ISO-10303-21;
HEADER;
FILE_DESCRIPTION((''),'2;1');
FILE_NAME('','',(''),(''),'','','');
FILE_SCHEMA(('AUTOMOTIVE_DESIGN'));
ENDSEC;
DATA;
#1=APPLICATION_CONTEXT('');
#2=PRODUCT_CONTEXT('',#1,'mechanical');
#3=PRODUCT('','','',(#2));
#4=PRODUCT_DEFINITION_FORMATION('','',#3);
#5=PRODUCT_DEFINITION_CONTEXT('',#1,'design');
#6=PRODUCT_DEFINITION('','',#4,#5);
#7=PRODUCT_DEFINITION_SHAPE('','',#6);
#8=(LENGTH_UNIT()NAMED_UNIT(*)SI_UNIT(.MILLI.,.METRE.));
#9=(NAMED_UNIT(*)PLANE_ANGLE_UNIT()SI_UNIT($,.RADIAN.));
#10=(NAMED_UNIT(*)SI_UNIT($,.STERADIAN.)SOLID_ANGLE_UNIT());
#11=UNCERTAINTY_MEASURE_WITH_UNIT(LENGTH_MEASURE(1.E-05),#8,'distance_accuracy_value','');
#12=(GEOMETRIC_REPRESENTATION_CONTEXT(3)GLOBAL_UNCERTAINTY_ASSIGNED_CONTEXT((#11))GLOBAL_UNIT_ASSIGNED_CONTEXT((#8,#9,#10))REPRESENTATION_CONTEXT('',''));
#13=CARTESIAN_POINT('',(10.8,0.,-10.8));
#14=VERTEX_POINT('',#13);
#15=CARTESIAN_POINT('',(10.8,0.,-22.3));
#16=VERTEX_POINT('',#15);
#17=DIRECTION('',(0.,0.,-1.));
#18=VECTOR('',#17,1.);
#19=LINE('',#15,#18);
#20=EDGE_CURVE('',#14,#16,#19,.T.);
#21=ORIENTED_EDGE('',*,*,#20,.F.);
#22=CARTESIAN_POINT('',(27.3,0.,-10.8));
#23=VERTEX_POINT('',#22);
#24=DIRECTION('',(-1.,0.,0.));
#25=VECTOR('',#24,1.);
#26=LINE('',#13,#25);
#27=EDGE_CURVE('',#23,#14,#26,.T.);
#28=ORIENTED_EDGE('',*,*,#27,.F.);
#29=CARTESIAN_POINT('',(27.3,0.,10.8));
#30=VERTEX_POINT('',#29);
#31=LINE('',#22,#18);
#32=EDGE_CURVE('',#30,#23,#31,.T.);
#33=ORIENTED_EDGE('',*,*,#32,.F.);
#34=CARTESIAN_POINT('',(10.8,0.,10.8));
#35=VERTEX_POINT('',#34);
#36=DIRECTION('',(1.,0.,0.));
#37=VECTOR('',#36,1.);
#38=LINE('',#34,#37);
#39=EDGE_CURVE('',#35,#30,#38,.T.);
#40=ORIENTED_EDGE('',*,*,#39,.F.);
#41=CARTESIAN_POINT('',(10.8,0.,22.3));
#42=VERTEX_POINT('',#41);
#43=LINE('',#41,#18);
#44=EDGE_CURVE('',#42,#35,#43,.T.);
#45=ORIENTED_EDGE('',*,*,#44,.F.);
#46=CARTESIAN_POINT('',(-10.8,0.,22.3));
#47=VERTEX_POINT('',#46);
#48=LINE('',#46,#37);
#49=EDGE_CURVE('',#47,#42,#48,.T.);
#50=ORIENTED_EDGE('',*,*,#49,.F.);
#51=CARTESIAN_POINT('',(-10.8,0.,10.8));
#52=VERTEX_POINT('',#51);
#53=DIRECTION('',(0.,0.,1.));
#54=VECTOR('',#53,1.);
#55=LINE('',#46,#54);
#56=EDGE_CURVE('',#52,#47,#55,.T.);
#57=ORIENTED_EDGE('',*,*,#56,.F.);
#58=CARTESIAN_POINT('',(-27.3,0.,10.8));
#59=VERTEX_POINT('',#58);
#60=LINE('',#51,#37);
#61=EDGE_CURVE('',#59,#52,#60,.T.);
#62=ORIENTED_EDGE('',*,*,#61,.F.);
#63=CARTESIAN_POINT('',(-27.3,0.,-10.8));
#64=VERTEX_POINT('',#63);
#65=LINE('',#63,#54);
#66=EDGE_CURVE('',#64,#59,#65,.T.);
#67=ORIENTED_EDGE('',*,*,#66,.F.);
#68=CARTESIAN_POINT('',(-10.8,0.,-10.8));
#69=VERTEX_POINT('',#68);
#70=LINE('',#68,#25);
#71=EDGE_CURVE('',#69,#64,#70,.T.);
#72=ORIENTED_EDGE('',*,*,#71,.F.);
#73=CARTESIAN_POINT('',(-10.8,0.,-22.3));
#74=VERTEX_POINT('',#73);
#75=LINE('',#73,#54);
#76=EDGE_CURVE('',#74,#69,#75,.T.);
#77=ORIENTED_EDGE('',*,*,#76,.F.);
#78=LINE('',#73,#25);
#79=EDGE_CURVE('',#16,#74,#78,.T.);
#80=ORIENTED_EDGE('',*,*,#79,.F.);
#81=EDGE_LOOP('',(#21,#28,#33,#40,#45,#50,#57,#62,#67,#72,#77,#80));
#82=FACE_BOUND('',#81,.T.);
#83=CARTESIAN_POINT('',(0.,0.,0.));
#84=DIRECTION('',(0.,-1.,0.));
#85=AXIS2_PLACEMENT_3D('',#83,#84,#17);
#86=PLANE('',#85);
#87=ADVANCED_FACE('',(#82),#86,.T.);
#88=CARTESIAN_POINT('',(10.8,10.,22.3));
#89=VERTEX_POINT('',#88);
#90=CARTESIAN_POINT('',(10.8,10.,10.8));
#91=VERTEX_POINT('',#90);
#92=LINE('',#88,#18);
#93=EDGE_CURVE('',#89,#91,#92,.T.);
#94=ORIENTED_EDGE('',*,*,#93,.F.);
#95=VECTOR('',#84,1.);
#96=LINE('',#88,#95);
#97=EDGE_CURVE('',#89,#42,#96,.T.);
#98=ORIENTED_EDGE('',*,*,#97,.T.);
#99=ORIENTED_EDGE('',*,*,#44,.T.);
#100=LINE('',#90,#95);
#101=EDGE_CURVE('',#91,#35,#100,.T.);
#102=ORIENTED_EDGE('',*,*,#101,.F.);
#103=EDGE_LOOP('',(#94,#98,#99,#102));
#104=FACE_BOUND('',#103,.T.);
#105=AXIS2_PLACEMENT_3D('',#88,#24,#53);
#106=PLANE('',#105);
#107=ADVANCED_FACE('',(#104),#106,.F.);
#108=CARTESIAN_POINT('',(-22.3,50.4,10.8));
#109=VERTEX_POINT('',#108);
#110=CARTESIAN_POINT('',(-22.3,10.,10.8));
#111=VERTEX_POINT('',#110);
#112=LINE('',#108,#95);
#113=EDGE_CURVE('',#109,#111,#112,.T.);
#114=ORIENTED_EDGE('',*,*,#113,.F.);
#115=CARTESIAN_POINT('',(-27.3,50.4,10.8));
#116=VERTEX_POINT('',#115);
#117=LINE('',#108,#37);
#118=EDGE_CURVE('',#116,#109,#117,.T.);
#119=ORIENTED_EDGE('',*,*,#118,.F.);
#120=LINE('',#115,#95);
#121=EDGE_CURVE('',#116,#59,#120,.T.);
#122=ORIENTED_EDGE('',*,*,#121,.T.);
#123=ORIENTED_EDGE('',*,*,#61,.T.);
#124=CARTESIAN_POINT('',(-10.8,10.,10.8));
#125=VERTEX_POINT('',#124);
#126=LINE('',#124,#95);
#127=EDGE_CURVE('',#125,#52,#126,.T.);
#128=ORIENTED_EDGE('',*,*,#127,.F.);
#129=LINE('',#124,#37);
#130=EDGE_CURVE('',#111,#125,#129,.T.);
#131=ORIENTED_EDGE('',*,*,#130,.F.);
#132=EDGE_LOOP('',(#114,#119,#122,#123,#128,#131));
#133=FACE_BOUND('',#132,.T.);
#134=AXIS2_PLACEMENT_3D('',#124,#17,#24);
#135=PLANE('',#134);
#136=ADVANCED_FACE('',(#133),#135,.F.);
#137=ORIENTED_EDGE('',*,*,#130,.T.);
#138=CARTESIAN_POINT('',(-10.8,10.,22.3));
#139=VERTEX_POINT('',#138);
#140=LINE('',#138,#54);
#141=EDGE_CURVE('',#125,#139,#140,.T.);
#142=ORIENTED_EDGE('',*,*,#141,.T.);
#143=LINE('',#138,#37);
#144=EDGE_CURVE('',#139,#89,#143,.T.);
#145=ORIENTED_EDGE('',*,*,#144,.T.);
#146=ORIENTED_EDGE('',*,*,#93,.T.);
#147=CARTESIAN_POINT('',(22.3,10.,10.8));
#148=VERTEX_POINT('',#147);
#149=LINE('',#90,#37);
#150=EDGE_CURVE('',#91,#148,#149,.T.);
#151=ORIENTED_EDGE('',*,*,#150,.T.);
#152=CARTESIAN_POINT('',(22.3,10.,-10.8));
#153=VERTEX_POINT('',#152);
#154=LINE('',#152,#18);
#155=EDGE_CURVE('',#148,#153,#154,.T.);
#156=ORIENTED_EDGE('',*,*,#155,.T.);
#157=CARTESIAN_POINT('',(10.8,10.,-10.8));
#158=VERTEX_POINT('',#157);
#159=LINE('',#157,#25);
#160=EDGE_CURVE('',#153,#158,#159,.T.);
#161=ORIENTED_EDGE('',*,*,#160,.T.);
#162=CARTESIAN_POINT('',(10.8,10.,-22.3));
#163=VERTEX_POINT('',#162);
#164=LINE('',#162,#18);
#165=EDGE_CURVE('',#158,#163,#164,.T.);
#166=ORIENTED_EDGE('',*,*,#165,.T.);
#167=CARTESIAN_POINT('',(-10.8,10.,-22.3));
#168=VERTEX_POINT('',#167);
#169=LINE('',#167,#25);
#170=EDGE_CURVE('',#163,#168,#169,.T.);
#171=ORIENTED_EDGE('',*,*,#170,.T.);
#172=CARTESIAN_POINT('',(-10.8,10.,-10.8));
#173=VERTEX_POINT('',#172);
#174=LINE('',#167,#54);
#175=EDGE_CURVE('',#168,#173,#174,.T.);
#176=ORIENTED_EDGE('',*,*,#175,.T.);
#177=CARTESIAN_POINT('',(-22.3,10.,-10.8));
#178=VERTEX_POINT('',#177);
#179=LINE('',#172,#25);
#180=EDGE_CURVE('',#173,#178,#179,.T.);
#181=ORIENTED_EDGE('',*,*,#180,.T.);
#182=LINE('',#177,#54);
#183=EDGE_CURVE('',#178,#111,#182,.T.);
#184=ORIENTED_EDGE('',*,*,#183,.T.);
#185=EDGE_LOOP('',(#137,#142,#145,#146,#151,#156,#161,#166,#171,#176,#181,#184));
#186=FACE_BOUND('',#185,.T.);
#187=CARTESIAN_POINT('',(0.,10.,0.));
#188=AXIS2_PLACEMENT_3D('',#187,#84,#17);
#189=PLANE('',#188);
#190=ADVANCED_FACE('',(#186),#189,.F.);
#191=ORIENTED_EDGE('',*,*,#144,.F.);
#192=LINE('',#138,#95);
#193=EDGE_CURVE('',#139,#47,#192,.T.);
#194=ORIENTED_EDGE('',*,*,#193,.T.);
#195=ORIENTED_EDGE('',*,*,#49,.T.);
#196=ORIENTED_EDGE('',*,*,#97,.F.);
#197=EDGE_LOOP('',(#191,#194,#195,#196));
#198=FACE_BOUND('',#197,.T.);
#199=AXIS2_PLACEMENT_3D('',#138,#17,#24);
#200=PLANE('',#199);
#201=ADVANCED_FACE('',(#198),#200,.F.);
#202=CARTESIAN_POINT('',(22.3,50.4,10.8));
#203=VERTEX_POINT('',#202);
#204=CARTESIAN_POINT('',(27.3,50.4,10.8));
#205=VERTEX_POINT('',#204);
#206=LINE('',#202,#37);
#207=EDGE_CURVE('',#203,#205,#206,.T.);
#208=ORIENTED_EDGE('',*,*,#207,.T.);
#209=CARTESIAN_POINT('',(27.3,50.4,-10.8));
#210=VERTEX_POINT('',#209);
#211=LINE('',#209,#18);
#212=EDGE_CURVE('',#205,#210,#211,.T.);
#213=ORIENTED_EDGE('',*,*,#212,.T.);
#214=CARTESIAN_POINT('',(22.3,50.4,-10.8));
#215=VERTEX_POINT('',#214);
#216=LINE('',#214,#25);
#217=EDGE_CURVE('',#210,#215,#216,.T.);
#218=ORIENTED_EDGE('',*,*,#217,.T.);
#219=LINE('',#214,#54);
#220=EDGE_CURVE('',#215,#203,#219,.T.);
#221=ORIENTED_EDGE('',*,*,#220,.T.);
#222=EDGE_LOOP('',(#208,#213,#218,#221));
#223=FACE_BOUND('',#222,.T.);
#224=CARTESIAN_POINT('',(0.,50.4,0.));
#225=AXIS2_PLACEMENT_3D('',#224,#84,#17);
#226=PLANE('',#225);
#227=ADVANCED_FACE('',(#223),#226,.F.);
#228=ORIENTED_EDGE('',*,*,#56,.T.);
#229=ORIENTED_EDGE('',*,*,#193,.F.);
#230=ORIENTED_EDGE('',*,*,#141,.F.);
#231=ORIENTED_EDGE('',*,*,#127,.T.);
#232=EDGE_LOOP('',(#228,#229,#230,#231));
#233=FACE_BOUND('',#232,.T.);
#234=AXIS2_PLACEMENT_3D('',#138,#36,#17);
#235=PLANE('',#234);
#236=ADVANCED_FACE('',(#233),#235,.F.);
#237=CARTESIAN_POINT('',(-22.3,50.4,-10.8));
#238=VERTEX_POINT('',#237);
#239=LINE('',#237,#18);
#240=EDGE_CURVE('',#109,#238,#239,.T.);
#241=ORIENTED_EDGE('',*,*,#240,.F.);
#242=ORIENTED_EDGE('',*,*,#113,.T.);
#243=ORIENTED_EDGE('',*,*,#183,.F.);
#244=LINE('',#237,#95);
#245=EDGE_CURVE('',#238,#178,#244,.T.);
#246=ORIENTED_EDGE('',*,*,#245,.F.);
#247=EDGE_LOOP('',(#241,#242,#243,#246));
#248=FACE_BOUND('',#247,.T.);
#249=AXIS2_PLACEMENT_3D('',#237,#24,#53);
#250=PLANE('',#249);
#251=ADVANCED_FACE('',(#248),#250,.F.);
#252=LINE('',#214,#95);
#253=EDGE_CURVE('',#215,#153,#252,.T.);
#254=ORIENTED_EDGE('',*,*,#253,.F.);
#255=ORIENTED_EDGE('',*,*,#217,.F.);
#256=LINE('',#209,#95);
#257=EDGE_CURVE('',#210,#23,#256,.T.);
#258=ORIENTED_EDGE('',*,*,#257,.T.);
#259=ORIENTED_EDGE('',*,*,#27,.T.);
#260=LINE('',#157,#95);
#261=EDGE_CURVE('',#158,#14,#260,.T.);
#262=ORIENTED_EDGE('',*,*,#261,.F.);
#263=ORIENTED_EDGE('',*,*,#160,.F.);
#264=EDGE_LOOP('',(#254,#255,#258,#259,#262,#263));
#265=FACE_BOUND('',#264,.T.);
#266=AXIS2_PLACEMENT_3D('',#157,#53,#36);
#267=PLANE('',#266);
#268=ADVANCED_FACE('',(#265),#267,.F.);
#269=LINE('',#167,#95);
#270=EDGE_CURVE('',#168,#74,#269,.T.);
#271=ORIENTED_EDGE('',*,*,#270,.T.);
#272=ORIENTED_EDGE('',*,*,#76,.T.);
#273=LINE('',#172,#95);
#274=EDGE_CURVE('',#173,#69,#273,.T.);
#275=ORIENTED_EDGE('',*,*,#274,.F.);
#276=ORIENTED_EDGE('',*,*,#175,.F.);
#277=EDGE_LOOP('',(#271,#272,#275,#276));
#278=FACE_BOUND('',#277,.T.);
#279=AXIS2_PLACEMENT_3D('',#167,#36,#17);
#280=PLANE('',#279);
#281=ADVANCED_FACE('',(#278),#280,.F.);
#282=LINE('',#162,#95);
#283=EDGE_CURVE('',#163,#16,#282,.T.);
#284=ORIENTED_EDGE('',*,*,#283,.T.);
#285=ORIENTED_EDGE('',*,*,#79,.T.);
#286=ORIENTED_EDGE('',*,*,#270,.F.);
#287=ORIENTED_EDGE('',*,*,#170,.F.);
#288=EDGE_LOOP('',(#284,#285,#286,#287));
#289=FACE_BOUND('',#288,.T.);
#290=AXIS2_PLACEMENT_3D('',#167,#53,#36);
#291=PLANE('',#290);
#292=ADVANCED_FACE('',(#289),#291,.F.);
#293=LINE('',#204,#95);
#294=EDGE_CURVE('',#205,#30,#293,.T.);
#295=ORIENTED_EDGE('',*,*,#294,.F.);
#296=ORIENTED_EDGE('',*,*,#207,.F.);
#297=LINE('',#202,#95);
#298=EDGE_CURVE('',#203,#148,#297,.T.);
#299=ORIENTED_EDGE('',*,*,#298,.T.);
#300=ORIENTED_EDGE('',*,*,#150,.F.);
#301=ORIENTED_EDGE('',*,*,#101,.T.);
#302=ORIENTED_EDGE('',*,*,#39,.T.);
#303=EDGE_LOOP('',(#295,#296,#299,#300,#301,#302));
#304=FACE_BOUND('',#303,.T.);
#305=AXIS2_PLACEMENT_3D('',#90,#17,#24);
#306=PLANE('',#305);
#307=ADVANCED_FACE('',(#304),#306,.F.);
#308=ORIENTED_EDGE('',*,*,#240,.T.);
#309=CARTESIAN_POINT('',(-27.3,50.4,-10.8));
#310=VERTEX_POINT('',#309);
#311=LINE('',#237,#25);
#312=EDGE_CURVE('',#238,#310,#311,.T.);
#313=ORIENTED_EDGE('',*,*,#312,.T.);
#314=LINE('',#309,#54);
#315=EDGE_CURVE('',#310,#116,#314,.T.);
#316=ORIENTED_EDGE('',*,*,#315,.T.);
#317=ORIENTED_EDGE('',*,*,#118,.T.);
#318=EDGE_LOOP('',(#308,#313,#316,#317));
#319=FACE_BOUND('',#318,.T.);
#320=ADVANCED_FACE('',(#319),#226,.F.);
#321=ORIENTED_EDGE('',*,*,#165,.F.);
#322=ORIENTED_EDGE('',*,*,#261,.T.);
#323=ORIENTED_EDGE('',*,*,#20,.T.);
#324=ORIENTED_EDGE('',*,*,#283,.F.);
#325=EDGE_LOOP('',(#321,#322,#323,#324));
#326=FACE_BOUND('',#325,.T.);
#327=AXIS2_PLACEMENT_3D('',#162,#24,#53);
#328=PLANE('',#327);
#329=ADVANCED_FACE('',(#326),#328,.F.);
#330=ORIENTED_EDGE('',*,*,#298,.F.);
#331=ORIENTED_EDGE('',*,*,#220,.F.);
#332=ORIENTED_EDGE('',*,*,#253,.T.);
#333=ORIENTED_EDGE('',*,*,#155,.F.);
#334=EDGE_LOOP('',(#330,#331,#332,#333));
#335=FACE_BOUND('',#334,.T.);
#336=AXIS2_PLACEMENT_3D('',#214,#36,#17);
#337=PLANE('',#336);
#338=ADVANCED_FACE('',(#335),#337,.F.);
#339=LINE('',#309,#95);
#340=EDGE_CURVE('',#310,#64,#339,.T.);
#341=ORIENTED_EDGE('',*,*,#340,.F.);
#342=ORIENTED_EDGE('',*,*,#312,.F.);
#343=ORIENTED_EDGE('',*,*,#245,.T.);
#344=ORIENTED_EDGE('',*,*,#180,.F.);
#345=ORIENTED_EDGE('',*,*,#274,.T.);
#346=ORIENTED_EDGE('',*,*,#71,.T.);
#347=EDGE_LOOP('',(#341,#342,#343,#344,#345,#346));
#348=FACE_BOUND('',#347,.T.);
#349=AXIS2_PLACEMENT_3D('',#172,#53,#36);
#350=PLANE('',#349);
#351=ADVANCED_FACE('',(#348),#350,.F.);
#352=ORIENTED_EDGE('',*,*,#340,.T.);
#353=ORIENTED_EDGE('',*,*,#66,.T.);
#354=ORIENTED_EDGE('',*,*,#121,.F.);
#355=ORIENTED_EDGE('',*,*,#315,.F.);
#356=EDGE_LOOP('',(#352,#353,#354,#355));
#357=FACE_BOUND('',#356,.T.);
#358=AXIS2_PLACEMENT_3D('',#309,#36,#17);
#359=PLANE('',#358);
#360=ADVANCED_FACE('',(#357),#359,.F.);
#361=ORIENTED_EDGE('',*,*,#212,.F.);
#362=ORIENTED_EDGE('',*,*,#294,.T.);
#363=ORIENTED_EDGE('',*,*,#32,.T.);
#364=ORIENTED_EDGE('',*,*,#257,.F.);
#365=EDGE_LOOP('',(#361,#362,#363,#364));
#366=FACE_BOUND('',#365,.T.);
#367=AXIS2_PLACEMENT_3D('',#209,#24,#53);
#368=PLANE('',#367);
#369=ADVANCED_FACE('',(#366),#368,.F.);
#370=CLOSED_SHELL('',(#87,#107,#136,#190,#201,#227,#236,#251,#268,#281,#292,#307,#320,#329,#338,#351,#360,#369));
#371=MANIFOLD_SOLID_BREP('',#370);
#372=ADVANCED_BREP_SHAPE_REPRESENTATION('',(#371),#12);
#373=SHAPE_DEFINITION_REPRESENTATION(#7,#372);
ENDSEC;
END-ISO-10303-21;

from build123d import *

# Parameters (mm, degrees)
RESSALTO_EXTRUS_O1_DEPTH = 10
ESBO_O2_W                = 5
ESBO_O2_H                = 21.6
RESSALTO_EXTRUS_O2_DEPTH = 50.4


with BuildPart() as part:
    # Esboço1 → Ressalto-extrusão1 (new body)
    with BuildSketch(Plane(origin=(0, 0, 0), x_dir=(1, 0, 0), z_dir=(0, 1, 0))):
        Polygon((-10.8, 22.3), (-10.8, 10.8), (-22.3, 10.8), (-22.3, -10.8), (-10.8, -10.8), (-10.8, -22.3), (10.8, -22.3), (10.8, -10.8), (22.3, -10.8), (22.3, 10.8), (10.8, 10.8), (10.8, 22.3), align=None)
    extrude(amount=RESSALTO_EXTRUS_O1_DEPTH)

    # Esboço2 → Ressalto-extrusão2 (add)
    with BuildSketch(Plane(origin=(0, 0, 0), x_dir=(1, 0, 0), z_dir=(0, 1, 0))):
        with Locations((24.8, 0)):
            Rectangle(ESBO_O2_W, ESBO_O2_H)
        with Locations((-24.8, 0)):
            Rectangle(ESBO_O2_W, ESBO_O2_H)
    extrude(amount=RESSALTO_EXTRUS_O2_DEPTH)


solid = part.part
